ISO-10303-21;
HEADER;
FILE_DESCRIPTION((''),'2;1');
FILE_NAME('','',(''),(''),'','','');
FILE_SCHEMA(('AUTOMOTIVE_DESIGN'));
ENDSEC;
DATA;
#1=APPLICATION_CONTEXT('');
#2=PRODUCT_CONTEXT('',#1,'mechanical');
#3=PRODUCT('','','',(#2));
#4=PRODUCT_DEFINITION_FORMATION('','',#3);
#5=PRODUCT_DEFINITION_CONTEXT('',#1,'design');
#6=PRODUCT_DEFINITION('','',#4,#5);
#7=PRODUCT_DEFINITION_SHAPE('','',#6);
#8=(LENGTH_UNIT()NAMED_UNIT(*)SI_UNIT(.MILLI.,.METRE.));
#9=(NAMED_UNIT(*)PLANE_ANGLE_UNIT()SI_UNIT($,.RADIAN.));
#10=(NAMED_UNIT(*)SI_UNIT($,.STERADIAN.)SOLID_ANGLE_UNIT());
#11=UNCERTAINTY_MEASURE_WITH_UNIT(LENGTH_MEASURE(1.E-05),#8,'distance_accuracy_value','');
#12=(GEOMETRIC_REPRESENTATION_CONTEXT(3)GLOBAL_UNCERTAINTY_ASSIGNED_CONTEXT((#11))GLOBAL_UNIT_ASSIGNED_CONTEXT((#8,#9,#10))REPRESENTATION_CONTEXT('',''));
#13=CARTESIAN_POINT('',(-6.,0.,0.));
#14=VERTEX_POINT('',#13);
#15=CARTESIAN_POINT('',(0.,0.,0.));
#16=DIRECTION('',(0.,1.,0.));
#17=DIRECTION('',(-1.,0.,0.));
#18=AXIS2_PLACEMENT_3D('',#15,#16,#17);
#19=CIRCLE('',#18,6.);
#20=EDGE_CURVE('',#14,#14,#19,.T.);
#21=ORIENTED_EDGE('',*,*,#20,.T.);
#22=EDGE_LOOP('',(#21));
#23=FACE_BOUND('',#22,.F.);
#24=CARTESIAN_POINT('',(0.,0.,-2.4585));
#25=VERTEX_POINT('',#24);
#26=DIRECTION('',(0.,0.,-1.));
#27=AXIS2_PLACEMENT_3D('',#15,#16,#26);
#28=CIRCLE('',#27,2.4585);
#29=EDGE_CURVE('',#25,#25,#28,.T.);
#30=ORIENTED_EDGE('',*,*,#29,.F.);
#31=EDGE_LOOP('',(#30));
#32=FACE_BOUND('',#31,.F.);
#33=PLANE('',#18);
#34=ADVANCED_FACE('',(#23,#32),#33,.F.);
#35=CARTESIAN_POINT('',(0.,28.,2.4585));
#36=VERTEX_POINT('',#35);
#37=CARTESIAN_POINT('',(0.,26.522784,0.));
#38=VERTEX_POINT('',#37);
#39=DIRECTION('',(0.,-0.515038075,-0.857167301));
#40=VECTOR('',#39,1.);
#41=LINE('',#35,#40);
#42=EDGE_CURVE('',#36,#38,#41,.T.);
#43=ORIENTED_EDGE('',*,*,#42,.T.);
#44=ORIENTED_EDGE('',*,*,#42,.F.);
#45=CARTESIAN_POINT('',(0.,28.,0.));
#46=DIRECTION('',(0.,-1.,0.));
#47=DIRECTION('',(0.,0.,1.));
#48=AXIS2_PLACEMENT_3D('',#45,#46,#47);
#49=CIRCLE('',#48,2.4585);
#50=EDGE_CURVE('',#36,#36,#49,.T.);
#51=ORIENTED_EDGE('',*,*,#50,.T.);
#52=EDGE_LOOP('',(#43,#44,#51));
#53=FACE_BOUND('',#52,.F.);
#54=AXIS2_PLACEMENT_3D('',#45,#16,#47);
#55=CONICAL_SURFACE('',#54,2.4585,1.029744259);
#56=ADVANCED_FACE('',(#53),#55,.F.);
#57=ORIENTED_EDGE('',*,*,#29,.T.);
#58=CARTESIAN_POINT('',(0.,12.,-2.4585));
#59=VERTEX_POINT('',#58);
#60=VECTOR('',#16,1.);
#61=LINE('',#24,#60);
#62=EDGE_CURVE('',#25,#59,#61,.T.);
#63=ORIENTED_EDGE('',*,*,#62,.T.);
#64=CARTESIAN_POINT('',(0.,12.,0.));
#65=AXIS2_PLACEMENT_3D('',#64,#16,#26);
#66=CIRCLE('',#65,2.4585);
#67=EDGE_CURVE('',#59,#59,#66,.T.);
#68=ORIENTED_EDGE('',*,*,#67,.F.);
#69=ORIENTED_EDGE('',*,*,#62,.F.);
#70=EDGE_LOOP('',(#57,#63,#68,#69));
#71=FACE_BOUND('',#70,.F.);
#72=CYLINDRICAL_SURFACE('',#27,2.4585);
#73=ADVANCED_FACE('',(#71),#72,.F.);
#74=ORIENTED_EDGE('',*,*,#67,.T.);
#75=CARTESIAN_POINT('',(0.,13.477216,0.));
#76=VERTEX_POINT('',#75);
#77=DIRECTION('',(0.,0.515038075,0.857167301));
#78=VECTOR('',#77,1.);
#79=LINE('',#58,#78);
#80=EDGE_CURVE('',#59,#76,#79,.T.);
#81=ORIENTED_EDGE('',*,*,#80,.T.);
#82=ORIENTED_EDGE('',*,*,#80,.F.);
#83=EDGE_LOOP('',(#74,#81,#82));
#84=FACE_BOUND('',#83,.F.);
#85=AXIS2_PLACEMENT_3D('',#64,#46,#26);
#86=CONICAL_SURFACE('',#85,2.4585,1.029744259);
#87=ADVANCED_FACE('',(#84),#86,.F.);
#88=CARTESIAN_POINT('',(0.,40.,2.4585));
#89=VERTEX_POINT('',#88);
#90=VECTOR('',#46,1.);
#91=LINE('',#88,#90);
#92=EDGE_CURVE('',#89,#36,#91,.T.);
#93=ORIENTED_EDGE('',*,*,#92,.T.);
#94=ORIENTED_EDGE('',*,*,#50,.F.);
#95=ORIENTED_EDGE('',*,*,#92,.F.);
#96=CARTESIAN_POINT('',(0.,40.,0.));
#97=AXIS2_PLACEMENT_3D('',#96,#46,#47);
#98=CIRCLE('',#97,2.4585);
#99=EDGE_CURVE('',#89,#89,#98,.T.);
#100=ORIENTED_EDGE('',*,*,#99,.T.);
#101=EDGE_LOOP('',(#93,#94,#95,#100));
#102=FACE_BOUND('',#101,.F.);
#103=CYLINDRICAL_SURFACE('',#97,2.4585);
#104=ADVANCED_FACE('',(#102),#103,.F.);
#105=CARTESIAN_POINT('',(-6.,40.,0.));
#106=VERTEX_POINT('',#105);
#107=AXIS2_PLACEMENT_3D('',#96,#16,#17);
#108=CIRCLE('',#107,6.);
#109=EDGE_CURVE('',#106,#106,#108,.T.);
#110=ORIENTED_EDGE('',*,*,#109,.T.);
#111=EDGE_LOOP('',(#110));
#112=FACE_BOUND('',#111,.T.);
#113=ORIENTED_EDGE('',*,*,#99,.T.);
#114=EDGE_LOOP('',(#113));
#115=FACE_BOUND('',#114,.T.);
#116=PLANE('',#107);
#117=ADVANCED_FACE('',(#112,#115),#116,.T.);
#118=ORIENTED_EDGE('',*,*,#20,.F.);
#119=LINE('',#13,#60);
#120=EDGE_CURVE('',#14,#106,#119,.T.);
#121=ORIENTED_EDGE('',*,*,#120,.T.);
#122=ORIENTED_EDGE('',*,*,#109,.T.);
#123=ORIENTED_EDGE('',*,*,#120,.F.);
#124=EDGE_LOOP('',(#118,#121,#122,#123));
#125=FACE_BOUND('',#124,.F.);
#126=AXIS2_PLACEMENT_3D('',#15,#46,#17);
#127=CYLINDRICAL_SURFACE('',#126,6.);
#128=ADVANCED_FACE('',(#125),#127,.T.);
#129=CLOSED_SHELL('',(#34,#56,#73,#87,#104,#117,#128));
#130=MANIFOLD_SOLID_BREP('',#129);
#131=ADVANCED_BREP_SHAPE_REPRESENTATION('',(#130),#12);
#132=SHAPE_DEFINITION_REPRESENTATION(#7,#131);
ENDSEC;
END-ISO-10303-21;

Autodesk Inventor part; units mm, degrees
ref_plane "YZ Plane" through (0, 0, 0) normal (1, 0, 0) x (0, 1, 0)
ref_plane "XZ Plane" through (0, 0, 0) normal (0, 1, 0) x (-1, 0, 0)
ref_plane "XY Plane" through (0, 0, 0) normal (0, 0, 1) x (1, 0, 0)
sketch "スケッチ1" plane through (0, 0, 0) normal (0, 1, 0) x (-1, 0, 0)
  circle A0 centre (0, 0) radius 6
  dimension "d0" = 12
extrude "押し出し1" add sketch "スケッチ1" along normal blind 40
sketch "スケッチ2" plane through (0, 40, 0) normal (0, 1, 0) x (1, 0, 0)
  point P0 (0, 0)
  point P1 (0, 0)
hole "穴1" at (0, 40, 0) direction (0, -1, 0) diameter 4.917 depth 12 tip angle 118 thread size "M6x1" class "6H" standard "ISO Metric profile"
sketch "スケッチ3" plane through (0, 0, 0) normal (0, -1, 0) x (1, 0, 0)
  circle A0 centre (0, 0) radius 2.4585 projected
hole "穴2" at (0, 0, 0) direction (0, 1, 0) diameter 4.917 depth 12 tip angle 118 thread size "M6x1" class "6H" standard "ISO Metric profile"
properties part number "base_part5" material "アルミニウム 6061"
